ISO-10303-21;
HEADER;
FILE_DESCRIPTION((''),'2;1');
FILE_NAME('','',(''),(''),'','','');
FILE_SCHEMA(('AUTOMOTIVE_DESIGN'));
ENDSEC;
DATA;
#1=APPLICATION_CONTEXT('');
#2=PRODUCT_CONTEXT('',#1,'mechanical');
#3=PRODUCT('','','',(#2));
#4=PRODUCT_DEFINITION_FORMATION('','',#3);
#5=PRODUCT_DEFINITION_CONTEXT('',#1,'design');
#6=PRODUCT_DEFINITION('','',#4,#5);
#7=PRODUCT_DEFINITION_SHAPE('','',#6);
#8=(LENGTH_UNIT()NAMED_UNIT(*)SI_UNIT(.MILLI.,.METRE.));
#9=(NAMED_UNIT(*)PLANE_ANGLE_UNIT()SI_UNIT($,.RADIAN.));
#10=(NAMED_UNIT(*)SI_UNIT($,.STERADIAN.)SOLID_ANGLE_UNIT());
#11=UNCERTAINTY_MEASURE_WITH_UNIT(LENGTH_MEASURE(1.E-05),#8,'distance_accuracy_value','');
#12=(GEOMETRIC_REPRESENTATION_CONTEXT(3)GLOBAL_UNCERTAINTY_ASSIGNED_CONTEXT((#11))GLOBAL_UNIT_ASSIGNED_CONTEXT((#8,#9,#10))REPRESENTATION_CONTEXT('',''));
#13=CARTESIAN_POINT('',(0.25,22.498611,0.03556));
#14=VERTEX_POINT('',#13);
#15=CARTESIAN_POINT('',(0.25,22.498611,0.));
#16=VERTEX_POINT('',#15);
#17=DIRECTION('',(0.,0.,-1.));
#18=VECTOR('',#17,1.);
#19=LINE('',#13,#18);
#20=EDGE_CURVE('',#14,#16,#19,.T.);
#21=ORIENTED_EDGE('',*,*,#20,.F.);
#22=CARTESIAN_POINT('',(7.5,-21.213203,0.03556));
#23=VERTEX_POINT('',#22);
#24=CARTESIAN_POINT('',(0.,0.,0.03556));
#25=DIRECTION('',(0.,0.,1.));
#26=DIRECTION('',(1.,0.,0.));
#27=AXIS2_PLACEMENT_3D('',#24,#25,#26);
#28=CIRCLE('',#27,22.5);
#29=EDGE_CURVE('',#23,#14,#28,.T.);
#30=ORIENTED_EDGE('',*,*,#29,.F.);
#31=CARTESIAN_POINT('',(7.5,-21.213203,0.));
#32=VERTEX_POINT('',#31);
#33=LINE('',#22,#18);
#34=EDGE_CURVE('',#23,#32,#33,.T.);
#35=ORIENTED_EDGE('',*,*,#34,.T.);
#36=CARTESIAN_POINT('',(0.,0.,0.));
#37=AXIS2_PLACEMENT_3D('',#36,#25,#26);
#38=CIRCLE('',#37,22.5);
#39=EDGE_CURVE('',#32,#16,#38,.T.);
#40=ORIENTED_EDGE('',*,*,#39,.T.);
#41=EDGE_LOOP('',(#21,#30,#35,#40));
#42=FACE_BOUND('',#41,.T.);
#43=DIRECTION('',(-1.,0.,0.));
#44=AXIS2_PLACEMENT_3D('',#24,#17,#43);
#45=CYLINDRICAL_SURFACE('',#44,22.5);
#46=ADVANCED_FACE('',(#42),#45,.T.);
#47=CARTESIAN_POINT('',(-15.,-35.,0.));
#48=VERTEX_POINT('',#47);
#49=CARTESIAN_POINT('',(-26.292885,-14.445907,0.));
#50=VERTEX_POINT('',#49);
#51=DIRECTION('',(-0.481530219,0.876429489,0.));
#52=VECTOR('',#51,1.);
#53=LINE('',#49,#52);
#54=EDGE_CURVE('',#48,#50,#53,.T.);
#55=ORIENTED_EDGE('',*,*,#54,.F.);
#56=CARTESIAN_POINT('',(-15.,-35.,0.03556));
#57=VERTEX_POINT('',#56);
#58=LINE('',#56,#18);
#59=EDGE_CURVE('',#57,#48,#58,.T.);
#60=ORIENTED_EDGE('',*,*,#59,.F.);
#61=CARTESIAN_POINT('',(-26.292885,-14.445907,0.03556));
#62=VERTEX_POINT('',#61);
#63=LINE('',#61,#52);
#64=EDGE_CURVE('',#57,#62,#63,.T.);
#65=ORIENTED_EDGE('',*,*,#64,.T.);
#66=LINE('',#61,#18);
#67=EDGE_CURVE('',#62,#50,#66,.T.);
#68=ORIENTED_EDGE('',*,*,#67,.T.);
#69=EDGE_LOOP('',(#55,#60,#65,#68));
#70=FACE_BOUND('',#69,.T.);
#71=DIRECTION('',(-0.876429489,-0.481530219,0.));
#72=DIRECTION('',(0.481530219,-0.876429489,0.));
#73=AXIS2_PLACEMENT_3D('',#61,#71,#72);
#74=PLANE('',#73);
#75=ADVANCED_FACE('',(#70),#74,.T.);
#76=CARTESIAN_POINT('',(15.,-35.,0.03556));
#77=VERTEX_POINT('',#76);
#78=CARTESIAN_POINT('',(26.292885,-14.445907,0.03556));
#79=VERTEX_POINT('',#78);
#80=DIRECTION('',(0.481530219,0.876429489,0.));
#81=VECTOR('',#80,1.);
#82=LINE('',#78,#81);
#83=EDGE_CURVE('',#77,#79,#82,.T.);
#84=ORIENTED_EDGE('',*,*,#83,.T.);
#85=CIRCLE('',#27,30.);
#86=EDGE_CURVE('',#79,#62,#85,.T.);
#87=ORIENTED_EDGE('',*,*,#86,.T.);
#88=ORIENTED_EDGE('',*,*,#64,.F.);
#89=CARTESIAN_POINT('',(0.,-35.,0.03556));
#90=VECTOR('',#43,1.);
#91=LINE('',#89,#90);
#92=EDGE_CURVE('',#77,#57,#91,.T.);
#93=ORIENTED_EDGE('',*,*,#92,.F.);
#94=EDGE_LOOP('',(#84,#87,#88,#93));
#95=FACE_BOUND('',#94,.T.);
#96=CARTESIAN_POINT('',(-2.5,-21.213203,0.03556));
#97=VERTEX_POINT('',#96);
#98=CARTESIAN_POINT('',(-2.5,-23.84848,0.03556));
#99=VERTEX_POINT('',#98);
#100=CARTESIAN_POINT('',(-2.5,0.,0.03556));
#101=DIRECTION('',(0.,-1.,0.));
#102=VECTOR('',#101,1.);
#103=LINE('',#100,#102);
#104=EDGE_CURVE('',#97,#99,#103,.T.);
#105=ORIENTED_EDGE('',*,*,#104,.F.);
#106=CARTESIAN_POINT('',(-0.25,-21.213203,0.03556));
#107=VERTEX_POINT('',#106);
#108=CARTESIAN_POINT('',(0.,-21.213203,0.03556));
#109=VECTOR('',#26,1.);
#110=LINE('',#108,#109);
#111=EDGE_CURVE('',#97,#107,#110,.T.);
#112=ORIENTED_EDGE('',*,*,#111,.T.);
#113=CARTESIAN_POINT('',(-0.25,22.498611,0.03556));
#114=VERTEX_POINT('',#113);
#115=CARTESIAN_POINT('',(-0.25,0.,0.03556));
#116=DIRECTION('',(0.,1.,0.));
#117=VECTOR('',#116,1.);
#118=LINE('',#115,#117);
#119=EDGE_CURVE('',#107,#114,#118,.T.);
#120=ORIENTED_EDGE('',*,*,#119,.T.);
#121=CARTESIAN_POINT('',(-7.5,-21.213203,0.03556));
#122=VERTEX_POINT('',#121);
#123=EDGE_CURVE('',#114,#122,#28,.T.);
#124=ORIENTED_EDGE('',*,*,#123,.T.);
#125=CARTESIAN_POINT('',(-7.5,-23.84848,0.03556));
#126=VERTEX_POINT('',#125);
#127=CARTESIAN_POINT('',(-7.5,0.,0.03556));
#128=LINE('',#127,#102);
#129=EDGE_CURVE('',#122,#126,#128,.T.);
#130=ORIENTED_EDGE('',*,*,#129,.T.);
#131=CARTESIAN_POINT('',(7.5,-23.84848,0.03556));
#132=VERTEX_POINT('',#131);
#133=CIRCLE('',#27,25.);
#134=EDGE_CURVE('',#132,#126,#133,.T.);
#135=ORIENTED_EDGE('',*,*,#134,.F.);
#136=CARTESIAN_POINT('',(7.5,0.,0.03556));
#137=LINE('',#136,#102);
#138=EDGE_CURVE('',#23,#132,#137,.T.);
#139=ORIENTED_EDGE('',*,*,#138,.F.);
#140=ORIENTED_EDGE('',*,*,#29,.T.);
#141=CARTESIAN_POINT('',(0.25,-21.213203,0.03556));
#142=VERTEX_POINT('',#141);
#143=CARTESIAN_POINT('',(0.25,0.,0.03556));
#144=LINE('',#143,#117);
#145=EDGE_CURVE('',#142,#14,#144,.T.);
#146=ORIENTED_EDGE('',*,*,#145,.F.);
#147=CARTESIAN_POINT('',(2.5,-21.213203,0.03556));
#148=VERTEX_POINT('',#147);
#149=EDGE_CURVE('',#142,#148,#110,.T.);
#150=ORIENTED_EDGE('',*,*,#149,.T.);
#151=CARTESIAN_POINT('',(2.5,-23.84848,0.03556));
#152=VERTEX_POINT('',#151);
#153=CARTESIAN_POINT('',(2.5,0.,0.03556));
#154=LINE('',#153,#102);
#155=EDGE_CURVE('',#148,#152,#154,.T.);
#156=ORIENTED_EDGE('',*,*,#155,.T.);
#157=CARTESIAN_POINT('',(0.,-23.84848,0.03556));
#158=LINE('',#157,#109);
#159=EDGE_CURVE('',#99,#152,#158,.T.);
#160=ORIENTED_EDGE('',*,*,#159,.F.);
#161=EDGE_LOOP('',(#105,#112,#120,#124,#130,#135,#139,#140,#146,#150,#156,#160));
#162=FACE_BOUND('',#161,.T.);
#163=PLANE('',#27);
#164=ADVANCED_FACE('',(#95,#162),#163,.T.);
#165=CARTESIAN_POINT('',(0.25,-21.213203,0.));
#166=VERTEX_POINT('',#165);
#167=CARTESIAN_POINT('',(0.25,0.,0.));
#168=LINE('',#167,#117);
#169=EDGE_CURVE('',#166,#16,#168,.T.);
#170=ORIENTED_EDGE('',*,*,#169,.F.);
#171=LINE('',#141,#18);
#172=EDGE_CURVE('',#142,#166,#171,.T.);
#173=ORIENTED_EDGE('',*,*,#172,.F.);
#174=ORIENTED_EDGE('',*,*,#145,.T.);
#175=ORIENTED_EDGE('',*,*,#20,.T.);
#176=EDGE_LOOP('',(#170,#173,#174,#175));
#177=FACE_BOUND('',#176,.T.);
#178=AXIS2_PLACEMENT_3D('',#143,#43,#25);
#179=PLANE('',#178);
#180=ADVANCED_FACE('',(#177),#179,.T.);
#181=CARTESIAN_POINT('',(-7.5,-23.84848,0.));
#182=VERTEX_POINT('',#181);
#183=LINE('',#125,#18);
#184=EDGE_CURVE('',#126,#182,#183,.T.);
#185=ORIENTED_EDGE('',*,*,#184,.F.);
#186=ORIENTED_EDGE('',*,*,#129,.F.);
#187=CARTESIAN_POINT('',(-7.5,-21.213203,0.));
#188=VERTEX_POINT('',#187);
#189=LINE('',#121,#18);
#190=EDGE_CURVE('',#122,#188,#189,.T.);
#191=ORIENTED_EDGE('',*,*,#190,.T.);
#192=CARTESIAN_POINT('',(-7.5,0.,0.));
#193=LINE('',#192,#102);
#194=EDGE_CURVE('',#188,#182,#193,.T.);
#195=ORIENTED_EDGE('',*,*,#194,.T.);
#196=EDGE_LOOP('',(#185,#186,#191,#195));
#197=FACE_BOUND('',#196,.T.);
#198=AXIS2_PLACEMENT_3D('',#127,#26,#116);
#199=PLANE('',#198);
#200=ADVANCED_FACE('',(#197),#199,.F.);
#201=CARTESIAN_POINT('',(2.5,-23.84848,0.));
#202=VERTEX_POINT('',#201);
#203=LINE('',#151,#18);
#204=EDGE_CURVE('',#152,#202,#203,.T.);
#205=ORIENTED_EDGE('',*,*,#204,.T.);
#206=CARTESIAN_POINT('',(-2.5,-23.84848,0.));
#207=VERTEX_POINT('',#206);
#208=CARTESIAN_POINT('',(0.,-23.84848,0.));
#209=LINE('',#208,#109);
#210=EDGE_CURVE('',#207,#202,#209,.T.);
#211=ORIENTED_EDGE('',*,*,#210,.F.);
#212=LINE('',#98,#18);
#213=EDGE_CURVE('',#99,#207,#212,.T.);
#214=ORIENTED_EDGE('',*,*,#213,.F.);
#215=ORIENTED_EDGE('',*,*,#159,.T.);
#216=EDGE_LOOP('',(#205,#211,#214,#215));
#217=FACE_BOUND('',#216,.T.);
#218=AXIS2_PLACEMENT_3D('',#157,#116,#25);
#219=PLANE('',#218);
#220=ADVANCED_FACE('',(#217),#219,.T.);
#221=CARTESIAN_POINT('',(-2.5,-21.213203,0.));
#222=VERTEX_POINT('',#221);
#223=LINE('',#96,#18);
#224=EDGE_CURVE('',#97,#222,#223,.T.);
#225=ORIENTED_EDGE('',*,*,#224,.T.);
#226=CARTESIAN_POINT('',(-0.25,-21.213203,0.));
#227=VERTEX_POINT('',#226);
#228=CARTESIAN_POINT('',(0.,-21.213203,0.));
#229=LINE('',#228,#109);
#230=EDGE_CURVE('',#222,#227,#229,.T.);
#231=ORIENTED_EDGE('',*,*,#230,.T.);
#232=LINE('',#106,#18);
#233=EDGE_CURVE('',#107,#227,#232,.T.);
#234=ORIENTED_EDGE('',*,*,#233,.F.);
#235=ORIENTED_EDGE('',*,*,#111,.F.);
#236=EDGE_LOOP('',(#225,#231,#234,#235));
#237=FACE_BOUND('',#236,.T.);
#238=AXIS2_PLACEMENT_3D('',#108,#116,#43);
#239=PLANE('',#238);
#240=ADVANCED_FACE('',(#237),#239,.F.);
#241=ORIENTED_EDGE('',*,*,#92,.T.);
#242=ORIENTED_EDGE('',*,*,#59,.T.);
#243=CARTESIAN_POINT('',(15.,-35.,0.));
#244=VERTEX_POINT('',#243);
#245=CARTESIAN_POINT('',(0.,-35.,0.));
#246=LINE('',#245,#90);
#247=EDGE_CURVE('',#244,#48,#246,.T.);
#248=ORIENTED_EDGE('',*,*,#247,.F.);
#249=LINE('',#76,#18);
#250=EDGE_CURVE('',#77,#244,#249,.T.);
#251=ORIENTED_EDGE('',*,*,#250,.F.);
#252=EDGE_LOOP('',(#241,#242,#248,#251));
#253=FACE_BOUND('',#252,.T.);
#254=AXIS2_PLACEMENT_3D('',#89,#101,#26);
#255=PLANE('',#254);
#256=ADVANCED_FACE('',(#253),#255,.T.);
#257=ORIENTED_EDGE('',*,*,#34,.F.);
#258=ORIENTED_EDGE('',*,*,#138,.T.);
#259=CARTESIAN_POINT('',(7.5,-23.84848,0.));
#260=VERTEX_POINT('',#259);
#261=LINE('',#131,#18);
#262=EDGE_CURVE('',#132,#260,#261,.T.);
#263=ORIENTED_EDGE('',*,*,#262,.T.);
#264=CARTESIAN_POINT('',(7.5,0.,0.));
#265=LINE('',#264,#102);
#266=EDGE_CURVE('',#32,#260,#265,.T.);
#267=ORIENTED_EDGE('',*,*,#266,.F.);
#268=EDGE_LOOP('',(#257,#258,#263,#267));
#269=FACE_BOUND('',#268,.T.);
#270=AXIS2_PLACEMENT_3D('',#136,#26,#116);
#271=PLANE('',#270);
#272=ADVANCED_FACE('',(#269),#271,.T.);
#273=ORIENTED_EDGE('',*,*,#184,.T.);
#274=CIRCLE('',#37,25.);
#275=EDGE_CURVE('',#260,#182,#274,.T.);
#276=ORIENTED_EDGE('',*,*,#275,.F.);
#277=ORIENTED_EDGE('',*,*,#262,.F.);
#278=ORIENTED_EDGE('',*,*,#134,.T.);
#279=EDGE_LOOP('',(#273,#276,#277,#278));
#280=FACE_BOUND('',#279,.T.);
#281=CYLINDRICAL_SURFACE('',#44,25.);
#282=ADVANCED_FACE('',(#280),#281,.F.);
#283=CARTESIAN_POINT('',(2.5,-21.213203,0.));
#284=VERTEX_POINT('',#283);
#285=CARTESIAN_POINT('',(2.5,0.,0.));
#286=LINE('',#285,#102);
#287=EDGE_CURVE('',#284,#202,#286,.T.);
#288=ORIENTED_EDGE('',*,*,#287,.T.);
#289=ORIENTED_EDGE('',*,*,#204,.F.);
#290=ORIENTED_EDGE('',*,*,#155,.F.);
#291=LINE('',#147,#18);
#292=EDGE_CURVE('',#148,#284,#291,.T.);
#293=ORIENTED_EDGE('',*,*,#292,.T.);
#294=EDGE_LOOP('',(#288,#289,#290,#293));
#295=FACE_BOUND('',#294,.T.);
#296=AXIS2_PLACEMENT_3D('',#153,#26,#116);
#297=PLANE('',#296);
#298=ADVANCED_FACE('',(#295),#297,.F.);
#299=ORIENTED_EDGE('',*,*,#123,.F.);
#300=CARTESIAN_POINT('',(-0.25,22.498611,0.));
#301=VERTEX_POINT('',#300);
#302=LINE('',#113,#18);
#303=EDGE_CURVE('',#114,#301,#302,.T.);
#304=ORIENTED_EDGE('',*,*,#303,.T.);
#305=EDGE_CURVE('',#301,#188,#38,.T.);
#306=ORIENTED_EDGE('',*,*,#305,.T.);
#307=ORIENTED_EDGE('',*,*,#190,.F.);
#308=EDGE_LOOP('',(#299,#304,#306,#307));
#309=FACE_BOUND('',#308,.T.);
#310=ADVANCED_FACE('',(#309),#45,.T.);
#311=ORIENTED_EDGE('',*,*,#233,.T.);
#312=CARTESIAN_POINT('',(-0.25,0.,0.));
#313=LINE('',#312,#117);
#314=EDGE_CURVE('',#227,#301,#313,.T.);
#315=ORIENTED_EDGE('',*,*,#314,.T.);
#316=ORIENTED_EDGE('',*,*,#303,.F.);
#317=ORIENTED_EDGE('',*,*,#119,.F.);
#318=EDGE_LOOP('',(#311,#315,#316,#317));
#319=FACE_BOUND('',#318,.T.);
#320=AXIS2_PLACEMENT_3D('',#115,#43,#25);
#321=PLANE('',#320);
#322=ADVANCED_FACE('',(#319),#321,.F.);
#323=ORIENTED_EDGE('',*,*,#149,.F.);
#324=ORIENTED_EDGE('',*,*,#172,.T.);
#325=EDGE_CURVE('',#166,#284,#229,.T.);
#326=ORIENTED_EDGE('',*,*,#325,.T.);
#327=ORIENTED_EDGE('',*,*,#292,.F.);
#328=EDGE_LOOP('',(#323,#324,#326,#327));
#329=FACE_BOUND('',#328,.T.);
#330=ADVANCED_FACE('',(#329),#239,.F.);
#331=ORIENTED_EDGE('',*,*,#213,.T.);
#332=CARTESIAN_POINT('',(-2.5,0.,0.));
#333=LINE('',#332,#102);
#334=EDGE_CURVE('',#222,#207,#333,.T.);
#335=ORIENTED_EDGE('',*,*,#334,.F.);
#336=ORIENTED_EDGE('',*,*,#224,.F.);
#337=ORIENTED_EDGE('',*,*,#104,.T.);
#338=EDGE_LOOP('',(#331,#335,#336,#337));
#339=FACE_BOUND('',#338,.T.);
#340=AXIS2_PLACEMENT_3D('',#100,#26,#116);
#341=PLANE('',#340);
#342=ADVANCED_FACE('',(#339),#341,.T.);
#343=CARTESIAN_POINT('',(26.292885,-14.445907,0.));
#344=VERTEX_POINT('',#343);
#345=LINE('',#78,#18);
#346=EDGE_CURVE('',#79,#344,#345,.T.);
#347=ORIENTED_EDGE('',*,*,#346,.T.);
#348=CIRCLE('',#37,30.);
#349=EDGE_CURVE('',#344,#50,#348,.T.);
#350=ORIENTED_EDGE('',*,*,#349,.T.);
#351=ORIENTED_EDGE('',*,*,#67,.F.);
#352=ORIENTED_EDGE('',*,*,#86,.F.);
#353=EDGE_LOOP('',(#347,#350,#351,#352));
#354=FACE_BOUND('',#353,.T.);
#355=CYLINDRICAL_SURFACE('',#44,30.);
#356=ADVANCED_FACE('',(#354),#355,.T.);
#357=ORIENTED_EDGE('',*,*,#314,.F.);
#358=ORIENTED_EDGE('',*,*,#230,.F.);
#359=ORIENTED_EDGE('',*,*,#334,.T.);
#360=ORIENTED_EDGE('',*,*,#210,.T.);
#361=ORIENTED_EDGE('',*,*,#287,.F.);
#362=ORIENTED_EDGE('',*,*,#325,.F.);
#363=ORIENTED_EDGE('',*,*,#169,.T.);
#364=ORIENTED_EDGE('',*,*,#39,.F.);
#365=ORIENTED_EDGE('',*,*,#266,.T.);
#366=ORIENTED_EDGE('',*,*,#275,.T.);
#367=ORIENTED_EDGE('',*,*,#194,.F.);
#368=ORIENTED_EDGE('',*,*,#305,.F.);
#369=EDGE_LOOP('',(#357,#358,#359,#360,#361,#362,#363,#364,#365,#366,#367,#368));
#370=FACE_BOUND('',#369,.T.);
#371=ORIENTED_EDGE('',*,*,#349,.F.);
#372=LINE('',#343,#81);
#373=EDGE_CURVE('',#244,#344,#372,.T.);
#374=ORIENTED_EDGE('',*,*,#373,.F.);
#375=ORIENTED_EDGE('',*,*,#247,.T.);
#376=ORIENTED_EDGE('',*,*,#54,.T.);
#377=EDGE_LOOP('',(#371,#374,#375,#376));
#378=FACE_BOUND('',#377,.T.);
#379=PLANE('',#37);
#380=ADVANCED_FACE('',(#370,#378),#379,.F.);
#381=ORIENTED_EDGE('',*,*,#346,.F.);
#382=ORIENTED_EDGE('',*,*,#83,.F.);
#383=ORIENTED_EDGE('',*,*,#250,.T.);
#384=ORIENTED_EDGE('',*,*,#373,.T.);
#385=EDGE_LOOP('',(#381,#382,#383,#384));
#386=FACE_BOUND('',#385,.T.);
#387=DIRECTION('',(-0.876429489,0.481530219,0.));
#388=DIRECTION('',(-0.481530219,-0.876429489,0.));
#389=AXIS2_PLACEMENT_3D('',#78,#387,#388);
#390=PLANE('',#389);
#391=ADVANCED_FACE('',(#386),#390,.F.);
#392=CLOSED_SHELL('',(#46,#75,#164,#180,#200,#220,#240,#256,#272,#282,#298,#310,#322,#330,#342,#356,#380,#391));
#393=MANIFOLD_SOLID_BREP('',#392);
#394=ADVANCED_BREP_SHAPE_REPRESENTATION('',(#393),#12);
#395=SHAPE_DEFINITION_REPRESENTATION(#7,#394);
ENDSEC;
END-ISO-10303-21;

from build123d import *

# Parameters (mm, degrees)
BOSS_EXTRUDE1_DEPTH = 0.03556


with BuildPart() as part:
    # Sketch2 → Boss-Extrude1 (new body)
    with BuildSketch(Plane.XY):
        with BuildLine():
            Line((-7.5, -35.000000035), (0, -35.000000035))
            Line((0, -35.000000035), (7.5, -35.000000035))
            Line((7.5, -35.000000035), (15, -35.000000035))
            Line((15, -35.000000035), (26.292884658, -14.44590656))
            ThreePointArc((26.292884658, -14.44590656), (0, 30), (-26.292884658, -14.44590656))
            Line((-26.292884658, -14.44590656), (-15, -35.000000035))
            Line((-15, -35.000000035), (-7.5, -35.000000035))
        make_face()
        with BuildLine():
            Line((0.25, 22.498611068), (0.25, -21.213203436))
            Line((0.25, -21.213203436), (2.5, -21.213203436))
            Line((2.5, -21.213203436), (2.5, -23.848480036))
            Line((2.5, -23.848480036), (-2.5, -23.848480036))
            Line((-2.5, -23.848480036), (-2.5, -21.213203436))
            Line((-2.5, -21.213203436), (-0.25, -21.213203436))
            Line((-0.25, -21.213203436), (-0.25, 22.498611068))
            ThreePointArc((-0.25, 22.498611068), (-22.196763431, 3.681534082), (-7.5, -21.213203436))
            Line((-7.5, -21.213203436), (-7.5, -23.848480035))
            ThreePointArc((-7.5, -23.848480035), (0, 25), (7.5, -23.848480035))
            Line((7.5, -23.848480035), (7.5, -21.213203436))
            ThreePointArc((7.5, -21.213203436), (22.196763431, 3.681534082), (0.25, 22.498611068))
        make_face(mode=Mode.SUBTRACT)
    extrude(amount=BOSS_EXTRUDE1_DEPTH)


solid = part.part
